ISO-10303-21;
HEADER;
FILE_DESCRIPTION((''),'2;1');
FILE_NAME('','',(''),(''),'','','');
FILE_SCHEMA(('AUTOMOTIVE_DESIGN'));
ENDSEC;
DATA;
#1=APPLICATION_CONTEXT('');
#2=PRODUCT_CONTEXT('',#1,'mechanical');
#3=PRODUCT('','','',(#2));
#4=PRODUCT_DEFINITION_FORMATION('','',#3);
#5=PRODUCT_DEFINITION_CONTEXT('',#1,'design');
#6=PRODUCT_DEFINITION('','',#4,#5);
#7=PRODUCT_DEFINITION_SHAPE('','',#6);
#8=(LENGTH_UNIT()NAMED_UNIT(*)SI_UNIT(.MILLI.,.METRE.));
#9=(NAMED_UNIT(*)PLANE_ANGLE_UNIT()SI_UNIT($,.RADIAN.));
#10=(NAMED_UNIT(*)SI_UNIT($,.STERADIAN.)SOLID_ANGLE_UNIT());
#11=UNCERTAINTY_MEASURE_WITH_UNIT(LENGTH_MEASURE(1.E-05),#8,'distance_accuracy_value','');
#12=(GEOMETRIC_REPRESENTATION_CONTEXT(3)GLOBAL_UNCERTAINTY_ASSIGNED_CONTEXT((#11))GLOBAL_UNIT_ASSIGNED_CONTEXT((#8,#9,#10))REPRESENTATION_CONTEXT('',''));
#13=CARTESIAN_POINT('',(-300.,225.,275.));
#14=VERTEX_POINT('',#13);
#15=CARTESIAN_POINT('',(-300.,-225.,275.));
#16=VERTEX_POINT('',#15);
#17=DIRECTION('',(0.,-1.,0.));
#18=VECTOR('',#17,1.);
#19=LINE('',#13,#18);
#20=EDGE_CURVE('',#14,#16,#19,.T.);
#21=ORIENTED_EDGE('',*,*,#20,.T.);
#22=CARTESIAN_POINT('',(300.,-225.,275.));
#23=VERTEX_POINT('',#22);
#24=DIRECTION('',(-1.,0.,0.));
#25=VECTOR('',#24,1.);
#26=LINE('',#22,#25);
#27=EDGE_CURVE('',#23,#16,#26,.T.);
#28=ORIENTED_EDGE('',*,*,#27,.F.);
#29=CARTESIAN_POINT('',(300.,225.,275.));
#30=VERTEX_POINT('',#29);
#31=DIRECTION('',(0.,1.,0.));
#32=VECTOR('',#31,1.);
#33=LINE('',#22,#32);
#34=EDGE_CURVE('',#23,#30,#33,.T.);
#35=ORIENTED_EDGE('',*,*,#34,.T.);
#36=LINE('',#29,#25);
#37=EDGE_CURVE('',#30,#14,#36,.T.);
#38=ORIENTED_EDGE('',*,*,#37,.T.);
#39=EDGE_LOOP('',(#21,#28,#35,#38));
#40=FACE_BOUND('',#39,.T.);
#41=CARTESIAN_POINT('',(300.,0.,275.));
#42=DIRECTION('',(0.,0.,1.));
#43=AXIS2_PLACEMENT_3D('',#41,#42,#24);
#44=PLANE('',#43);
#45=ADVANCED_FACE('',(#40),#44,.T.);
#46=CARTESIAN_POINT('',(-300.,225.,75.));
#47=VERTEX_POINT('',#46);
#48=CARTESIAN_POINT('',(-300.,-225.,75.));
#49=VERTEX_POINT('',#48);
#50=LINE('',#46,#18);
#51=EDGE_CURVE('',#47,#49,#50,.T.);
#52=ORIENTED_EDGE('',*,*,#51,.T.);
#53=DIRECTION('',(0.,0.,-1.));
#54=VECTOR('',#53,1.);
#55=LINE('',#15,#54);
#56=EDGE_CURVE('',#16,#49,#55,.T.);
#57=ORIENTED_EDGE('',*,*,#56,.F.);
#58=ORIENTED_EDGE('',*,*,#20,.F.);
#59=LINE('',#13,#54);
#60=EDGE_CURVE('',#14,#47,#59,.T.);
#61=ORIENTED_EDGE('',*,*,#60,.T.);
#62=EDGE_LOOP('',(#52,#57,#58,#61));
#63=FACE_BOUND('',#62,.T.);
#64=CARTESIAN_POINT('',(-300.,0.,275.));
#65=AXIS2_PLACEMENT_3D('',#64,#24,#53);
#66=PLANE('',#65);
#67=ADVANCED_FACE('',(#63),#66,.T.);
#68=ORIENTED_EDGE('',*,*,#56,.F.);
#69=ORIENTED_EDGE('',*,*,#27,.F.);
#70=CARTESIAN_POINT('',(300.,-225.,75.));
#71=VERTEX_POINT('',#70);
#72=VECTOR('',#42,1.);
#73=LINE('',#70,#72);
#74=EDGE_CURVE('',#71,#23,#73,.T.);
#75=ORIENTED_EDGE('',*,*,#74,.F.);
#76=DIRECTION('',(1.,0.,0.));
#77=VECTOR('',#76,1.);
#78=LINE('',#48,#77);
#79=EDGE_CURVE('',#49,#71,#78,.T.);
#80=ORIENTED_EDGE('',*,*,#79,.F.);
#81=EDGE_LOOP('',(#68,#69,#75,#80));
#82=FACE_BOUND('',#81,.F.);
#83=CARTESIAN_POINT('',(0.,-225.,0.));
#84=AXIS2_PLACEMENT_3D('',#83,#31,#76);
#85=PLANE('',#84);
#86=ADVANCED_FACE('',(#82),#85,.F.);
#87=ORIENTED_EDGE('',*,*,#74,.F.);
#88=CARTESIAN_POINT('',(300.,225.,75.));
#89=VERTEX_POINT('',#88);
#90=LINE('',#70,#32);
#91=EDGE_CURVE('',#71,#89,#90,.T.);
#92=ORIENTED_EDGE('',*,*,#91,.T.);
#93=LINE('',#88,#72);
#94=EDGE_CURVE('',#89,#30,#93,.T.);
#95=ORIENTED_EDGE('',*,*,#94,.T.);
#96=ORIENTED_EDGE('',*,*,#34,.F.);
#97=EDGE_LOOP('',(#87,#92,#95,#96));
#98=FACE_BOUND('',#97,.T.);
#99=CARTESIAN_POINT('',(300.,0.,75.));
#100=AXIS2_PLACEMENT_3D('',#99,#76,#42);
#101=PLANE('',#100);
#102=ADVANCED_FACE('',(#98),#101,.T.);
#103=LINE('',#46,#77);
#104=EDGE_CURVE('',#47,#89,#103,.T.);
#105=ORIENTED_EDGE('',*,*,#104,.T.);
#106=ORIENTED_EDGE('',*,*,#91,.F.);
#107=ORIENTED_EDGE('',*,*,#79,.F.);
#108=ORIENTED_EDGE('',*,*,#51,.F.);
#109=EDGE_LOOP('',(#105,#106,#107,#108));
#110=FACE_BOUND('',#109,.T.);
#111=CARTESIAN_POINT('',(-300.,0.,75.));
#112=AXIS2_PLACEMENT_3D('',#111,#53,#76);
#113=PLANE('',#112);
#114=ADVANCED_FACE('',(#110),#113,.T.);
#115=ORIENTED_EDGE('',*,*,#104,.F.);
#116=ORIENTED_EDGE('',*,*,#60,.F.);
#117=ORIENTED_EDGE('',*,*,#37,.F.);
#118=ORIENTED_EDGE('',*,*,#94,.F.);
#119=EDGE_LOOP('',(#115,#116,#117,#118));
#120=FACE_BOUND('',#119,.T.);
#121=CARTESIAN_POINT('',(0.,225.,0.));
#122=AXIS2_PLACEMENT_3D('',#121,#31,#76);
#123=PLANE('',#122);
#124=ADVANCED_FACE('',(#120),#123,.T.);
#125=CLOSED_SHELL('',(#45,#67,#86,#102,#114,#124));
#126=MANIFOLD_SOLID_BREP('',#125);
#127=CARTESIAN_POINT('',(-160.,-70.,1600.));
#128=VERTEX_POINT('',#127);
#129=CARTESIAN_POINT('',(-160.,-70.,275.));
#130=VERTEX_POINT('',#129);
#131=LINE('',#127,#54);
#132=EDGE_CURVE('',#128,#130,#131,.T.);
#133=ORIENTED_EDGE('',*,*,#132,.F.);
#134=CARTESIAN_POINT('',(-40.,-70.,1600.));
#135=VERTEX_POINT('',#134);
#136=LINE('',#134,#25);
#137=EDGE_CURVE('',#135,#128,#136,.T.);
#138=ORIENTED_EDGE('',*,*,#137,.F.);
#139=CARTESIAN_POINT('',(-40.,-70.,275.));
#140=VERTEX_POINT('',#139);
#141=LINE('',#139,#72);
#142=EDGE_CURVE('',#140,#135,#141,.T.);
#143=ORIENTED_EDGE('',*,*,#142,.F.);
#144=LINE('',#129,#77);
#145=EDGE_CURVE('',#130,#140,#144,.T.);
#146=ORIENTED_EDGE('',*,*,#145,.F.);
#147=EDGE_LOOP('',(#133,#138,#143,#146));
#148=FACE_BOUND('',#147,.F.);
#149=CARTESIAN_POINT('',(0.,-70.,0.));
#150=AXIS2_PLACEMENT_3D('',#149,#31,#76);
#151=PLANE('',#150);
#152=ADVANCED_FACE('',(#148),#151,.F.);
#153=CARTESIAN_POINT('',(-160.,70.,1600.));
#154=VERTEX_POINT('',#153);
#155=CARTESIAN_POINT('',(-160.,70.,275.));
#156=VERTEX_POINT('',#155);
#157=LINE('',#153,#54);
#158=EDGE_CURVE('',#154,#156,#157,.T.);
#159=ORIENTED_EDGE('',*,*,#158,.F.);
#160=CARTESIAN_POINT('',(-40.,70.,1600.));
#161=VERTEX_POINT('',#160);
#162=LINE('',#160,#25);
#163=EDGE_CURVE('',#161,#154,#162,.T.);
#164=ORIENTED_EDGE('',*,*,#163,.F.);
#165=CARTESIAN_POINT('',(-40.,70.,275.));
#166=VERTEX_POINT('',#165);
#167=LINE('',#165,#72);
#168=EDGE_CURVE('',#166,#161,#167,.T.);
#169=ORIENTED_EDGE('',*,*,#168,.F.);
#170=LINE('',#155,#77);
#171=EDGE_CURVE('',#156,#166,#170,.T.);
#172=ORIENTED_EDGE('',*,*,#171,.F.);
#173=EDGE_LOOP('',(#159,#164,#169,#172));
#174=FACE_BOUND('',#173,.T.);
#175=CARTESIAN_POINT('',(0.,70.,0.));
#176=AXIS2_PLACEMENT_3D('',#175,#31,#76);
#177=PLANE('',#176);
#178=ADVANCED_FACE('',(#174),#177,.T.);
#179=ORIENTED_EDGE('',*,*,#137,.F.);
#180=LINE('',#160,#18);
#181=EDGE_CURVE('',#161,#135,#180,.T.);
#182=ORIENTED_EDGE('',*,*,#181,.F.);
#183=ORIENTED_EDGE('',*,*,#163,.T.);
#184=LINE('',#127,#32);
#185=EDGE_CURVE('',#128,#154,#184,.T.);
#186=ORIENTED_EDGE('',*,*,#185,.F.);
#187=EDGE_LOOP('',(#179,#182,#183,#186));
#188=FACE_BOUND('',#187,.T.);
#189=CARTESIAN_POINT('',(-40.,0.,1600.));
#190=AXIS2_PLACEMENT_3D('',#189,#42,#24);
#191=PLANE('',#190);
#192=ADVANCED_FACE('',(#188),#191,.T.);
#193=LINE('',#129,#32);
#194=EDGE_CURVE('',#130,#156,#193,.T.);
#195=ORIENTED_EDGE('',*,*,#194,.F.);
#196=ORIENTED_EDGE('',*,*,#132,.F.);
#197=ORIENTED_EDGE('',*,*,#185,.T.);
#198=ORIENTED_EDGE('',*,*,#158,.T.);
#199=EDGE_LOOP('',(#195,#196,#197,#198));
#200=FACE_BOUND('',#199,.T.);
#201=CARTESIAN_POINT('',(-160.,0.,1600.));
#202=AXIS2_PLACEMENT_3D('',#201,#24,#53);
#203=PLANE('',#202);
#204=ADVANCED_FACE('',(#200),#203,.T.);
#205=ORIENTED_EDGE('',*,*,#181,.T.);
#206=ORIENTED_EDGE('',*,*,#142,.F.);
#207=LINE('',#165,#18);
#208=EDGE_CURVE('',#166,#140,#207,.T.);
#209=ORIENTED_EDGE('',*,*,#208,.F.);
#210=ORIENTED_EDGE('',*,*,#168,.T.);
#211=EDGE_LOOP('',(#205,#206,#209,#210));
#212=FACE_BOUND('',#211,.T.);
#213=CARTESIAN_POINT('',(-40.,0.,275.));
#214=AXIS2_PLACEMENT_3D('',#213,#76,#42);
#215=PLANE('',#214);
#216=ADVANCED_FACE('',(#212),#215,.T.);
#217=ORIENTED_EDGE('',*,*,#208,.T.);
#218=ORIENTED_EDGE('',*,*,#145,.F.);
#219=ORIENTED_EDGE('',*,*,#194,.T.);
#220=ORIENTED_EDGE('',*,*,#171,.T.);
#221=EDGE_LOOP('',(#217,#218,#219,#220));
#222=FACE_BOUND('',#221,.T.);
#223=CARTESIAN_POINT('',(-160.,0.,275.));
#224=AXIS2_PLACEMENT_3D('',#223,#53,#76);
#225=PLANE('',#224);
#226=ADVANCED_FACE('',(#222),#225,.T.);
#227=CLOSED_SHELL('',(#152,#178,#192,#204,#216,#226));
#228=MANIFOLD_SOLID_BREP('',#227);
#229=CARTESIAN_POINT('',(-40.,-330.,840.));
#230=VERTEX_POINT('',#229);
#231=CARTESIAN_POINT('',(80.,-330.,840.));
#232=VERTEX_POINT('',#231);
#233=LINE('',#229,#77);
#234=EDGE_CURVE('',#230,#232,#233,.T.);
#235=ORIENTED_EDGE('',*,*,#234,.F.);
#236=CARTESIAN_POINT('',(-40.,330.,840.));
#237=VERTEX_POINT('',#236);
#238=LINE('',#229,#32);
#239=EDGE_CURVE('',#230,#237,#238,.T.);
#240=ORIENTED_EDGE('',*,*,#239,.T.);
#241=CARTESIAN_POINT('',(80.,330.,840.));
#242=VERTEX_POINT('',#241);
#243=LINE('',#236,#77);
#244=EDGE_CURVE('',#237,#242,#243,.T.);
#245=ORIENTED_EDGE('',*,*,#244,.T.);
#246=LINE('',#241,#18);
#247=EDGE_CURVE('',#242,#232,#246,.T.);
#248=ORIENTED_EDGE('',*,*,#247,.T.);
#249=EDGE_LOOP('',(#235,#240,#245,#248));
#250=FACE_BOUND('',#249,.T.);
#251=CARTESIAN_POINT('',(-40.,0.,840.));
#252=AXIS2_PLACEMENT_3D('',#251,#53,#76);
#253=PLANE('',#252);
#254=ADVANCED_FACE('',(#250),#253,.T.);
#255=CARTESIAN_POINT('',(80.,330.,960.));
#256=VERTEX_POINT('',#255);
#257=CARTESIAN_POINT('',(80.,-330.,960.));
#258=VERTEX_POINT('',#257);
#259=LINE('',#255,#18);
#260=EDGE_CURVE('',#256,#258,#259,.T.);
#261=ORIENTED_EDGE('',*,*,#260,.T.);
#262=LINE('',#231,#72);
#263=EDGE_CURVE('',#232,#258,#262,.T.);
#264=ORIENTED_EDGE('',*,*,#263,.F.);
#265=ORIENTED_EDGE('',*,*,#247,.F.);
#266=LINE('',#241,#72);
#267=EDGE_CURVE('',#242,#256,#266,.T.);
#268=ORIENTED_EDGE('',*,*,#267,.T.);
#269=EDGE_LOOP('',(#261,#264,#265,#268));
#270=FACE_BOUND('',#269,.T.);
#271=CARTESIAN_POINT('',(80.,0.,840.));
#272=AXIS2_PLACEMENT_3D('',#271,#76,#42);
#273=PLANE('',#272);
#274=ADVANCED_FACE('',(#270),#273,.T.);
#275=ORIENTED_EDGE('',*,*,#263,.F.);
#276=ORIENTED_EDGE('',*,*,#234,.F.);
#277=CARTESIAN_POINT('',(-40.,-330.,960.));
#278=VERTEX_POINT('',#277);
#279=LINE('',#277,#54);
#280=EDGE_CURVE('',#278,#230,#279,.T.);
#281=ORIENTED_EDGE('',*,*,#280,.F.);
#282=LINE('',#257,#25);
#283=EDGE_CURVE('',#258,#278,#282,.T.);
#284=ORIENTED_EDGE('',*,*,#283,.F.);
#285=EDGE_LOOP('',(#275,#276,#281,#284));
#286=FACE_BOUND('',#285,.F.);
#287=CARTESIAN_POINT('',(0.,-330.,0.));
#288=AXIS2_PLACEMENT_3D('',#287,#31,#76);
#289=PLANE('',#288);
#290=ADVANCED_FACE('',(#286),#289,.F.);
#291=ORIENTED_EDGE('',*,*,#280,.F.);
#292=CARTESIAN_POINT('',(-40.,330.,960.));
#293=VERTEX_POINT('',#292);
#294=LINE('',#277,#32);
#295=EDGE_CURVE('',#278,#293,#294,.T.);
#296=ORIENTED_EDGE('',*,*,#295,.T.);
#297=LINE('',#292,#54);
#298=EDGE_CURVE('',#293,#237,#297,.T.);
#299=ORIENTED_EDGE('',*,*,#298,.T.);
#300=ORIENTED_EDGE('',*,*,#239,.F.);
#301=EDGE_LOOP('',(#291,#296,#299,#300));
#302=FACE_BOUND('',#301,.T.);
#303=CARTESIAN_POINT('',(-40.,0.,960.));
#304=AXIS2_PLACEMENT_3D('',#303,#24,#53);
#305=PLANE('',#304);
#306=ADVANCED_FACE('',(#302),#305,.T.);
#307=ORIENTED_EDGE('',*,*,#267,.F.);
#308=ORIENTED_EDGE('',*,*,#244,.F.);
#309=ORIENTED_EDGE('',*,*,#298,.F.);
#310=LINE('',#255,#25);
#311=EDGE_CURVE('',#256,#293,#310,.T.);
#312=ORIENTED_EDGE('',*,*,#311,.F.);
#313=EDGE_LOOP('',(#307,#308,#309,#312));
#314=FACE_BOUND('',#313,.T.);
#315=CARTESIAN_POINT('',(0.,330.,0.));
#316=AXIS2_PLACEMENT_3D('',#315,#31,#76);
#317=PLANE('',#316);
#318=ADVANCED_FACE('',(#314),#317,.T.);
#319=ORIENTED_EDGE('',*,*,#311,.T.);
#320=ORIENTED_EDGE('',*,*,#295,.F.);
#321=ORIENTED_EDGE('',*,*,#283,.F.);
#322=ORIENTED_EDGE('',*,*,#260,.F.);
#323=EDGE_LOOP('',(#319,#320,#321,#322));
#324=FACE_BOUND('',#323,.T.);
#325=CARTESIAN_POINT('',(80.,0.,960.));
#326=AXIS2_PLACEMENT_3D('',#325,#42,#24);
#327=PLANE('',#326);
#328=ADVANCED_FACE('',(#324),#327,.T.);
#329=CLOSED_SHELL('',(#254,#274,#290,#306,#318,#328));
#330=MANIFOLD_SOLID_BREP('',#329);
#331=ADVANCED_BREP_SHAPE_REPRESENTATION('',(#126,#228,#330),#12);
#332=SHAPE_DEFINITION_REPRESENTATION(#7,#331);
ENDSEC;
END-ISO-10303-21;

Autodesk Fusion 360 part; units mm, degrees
sketch "Layout_Side" plane through (0, 0, 0) normal (0, 1, 0) x (1, 0, 0) in component "00_Layout"
  line L0 (0, 0) -> (0, -1676.4) construction
  line L1 (300, -275) -> (-300, -275) construction
  line L2 (-300, -275) -> (-300, -75) construction
  line L3 (-300, -75) -> (300, -75) construction
  line L4 (300, -75) -> (300, -275) construction
  line L5 (300, -275) -> (-300, -75) construction
  line L6 (-300, -275) -> (300, -75) construction
  line L7 (0, -1676.4) -> (600, -1676.4) construction
  line L8 (0, -175) -> (0, -75) construction
  dimension "d1" = 200
  dimension "d2" = 600
  dimension "d4" = 600
  dimension "d5" = 75
  dimension "d6" = 1676.4
sketch "Base_Profile" plane through (0, 0, 0) normal (0, 1, 0) x (1, 0, 0) in component "01_Base_Envelope"
  line L0 (300, -275) -> (-300, -275)
  line L1 (-300, -275) -> (-300, -75)
  line L2 (-300, -75) -> (300, -75)
  line L3 (300, -75) -> (300, -275)
extrude "Chassis_Width_450mm" add sketch "Base_Profile" along normal mid plane 450 makes body 1 in component "01_Base_Envelope"
sketch "Mast_Envelope_Side_Profile" plane through (0, 0, 0) normal (0, 1, 0) x (1, 0, 0) in component "02_Mast_Envelope"
  line L0 (-160, -275) -> (-40, -275)
  line L1 (-40, -275) -> (-40, -1600)
  line L2 (-40, -1600) -> (-160, -1600)
  line L3 (-160, -1600) -> (-160, -275)
  line L4 (300, -275) -> (-300, -275) construction
  dimension "d9" = 120
  dimension "d10" = 1325
  dimension "d11" = 160
extrude "Mast_Envelope_Width_140mm" add sketch "Mast_Envelope_Side_Profile" along normal mid plane 140 separate body makes body 2 in component "02_Mast_Envelope"
sketch "Shared_Carriage_Side_Profile" plane through (0, 0, 0) normal (0, 1, 0) x (1, 0, 0) in component "03_Shared_Carriage"
  line L0 (-40, -840) -> (80, -840)
  line L1 (80, -840) -> (80, -960)
  line L2 (80, -960) -> (-40, -960)
  line L3 (-40, -960) -> (-40, -840)
  dimension "d14" = 120
  dimension "d15" = 120
  dimension "d16" = 40
  dimension "d17" = 840
extrude "Shared_Carriage_Width_660mm" add sketch "Shared_Carriage_Side_Profile" along normal mid plane 660 separate body makes body 3 in component "03_Shared_Carriage"
ref_plane "WorkPlane1" through (0, 300, 0) normal (0, 1, 0) x (0, 0, 1) in component "00_Layout"
sketch "Reach_Left_Floor_2x304p8mm" plane through (0, 300, 0) normal (0, 1, 0) x (1, 0, 0) in component "00_Layout"
  circle A0 centre (80, -400) radius 609.6 construction
  line L0 (80, -400) -> (380.0994, -346.6765) construction
  line L1 (380.0994, -346.6765) -> (450, -50) construction
  dimension "d25" = 80
  dimension "d26" = 400
  dimension "d27" = 450
  dimension "d28" = 50
  dimension "d29" = 609.6
  dimension "d30" = 304.8
  dimension "d31" = 304.8
sketch "Reach_Left_Shelf_2x304p8mm" plane through (0, 300, 0) normal (0, 1, 0) x (1, 0, 0) in component "00_Layout"
  circle A0 centre (80, -1400) radius 609.6 construction
  line L0 (80, -1400) -> (198.6357, -1680.7643) construction
  line L1 (198.6357, -1680.7643) -> (500, -1726.4) construction
  dimension "d32" = 80
  dimension "d33" = 1400
  dimension "d34" = 500
  dimension "d35" = 1726.4
  dimension "d36" = 609.6
  dimension "d37" = 304.8
  dimension "d38" = 304.8
ref_plane "WorkPlane2" through (0, -300, 0) normal (0, 1, 0) x (0, 0, 1) in component "00_Layout"
sketch "Reach_Right_Floor_2x304p8mm" plane through (0, -300, 0) normal (0, 1, 0) x (1, 0, 0) in component "00_Layout"
  circle A0 centre (80, -400) radius 609.6 construction
  line L0 (80, -400) -> (380.0994, -346.6765) construction
  line L1 (380.0994, -346.6765) -> (450, -50) construction
  dimension "d41" = 80
  dimension "d42" = 400
  dimension "d43" = 450
  dimension "d44" = 50
  dimension "d45" = 609.6
  dimension "d46" = 304.8
  dimension "d47" = 304.8
sketch "Reach_Right_Shelf_2x304p8mm" plane through (0, -300, 0) normal (0, 1, 0) x (1, 0, 0) in component "00_Layout"
  circle A0 centre (80, -1400) radius 609.6 construction
  line L0 (80, -1400) -> (198.6357, -1680.7643) construction
  line L1 (198.6357, -1680.7643) -> (500, -1726.4) construction
  dimension "d48" = 80
  dimension "d49" = 1400
  dimension "d50" = 500
  dimension "d51" = 1726.4
  dimension "d52" = 609.6
  dimension "d53" = 304.8
  dimension "d54" = 304.8
component "00_Layout" placed x (1, 0, 0) y (0, 1, 0) z (0, 0, 1) at (0, 0, 0)
component "01_Base_Envelope" placed x (1, 0, 0) y (0, 1, 0) z (0, 0, 1) at (0, 0, 0)
component "02_Mast_Envelope" placed x (1, 0, 0) y (0, 1, 0) z (0, 0, 1) at (0, 0, 0)
component "03_Shared_Carriage" placed x (1, 0, 0) y (0, 1, 0) z (0, 0, 1) at (0, 0, 0)
